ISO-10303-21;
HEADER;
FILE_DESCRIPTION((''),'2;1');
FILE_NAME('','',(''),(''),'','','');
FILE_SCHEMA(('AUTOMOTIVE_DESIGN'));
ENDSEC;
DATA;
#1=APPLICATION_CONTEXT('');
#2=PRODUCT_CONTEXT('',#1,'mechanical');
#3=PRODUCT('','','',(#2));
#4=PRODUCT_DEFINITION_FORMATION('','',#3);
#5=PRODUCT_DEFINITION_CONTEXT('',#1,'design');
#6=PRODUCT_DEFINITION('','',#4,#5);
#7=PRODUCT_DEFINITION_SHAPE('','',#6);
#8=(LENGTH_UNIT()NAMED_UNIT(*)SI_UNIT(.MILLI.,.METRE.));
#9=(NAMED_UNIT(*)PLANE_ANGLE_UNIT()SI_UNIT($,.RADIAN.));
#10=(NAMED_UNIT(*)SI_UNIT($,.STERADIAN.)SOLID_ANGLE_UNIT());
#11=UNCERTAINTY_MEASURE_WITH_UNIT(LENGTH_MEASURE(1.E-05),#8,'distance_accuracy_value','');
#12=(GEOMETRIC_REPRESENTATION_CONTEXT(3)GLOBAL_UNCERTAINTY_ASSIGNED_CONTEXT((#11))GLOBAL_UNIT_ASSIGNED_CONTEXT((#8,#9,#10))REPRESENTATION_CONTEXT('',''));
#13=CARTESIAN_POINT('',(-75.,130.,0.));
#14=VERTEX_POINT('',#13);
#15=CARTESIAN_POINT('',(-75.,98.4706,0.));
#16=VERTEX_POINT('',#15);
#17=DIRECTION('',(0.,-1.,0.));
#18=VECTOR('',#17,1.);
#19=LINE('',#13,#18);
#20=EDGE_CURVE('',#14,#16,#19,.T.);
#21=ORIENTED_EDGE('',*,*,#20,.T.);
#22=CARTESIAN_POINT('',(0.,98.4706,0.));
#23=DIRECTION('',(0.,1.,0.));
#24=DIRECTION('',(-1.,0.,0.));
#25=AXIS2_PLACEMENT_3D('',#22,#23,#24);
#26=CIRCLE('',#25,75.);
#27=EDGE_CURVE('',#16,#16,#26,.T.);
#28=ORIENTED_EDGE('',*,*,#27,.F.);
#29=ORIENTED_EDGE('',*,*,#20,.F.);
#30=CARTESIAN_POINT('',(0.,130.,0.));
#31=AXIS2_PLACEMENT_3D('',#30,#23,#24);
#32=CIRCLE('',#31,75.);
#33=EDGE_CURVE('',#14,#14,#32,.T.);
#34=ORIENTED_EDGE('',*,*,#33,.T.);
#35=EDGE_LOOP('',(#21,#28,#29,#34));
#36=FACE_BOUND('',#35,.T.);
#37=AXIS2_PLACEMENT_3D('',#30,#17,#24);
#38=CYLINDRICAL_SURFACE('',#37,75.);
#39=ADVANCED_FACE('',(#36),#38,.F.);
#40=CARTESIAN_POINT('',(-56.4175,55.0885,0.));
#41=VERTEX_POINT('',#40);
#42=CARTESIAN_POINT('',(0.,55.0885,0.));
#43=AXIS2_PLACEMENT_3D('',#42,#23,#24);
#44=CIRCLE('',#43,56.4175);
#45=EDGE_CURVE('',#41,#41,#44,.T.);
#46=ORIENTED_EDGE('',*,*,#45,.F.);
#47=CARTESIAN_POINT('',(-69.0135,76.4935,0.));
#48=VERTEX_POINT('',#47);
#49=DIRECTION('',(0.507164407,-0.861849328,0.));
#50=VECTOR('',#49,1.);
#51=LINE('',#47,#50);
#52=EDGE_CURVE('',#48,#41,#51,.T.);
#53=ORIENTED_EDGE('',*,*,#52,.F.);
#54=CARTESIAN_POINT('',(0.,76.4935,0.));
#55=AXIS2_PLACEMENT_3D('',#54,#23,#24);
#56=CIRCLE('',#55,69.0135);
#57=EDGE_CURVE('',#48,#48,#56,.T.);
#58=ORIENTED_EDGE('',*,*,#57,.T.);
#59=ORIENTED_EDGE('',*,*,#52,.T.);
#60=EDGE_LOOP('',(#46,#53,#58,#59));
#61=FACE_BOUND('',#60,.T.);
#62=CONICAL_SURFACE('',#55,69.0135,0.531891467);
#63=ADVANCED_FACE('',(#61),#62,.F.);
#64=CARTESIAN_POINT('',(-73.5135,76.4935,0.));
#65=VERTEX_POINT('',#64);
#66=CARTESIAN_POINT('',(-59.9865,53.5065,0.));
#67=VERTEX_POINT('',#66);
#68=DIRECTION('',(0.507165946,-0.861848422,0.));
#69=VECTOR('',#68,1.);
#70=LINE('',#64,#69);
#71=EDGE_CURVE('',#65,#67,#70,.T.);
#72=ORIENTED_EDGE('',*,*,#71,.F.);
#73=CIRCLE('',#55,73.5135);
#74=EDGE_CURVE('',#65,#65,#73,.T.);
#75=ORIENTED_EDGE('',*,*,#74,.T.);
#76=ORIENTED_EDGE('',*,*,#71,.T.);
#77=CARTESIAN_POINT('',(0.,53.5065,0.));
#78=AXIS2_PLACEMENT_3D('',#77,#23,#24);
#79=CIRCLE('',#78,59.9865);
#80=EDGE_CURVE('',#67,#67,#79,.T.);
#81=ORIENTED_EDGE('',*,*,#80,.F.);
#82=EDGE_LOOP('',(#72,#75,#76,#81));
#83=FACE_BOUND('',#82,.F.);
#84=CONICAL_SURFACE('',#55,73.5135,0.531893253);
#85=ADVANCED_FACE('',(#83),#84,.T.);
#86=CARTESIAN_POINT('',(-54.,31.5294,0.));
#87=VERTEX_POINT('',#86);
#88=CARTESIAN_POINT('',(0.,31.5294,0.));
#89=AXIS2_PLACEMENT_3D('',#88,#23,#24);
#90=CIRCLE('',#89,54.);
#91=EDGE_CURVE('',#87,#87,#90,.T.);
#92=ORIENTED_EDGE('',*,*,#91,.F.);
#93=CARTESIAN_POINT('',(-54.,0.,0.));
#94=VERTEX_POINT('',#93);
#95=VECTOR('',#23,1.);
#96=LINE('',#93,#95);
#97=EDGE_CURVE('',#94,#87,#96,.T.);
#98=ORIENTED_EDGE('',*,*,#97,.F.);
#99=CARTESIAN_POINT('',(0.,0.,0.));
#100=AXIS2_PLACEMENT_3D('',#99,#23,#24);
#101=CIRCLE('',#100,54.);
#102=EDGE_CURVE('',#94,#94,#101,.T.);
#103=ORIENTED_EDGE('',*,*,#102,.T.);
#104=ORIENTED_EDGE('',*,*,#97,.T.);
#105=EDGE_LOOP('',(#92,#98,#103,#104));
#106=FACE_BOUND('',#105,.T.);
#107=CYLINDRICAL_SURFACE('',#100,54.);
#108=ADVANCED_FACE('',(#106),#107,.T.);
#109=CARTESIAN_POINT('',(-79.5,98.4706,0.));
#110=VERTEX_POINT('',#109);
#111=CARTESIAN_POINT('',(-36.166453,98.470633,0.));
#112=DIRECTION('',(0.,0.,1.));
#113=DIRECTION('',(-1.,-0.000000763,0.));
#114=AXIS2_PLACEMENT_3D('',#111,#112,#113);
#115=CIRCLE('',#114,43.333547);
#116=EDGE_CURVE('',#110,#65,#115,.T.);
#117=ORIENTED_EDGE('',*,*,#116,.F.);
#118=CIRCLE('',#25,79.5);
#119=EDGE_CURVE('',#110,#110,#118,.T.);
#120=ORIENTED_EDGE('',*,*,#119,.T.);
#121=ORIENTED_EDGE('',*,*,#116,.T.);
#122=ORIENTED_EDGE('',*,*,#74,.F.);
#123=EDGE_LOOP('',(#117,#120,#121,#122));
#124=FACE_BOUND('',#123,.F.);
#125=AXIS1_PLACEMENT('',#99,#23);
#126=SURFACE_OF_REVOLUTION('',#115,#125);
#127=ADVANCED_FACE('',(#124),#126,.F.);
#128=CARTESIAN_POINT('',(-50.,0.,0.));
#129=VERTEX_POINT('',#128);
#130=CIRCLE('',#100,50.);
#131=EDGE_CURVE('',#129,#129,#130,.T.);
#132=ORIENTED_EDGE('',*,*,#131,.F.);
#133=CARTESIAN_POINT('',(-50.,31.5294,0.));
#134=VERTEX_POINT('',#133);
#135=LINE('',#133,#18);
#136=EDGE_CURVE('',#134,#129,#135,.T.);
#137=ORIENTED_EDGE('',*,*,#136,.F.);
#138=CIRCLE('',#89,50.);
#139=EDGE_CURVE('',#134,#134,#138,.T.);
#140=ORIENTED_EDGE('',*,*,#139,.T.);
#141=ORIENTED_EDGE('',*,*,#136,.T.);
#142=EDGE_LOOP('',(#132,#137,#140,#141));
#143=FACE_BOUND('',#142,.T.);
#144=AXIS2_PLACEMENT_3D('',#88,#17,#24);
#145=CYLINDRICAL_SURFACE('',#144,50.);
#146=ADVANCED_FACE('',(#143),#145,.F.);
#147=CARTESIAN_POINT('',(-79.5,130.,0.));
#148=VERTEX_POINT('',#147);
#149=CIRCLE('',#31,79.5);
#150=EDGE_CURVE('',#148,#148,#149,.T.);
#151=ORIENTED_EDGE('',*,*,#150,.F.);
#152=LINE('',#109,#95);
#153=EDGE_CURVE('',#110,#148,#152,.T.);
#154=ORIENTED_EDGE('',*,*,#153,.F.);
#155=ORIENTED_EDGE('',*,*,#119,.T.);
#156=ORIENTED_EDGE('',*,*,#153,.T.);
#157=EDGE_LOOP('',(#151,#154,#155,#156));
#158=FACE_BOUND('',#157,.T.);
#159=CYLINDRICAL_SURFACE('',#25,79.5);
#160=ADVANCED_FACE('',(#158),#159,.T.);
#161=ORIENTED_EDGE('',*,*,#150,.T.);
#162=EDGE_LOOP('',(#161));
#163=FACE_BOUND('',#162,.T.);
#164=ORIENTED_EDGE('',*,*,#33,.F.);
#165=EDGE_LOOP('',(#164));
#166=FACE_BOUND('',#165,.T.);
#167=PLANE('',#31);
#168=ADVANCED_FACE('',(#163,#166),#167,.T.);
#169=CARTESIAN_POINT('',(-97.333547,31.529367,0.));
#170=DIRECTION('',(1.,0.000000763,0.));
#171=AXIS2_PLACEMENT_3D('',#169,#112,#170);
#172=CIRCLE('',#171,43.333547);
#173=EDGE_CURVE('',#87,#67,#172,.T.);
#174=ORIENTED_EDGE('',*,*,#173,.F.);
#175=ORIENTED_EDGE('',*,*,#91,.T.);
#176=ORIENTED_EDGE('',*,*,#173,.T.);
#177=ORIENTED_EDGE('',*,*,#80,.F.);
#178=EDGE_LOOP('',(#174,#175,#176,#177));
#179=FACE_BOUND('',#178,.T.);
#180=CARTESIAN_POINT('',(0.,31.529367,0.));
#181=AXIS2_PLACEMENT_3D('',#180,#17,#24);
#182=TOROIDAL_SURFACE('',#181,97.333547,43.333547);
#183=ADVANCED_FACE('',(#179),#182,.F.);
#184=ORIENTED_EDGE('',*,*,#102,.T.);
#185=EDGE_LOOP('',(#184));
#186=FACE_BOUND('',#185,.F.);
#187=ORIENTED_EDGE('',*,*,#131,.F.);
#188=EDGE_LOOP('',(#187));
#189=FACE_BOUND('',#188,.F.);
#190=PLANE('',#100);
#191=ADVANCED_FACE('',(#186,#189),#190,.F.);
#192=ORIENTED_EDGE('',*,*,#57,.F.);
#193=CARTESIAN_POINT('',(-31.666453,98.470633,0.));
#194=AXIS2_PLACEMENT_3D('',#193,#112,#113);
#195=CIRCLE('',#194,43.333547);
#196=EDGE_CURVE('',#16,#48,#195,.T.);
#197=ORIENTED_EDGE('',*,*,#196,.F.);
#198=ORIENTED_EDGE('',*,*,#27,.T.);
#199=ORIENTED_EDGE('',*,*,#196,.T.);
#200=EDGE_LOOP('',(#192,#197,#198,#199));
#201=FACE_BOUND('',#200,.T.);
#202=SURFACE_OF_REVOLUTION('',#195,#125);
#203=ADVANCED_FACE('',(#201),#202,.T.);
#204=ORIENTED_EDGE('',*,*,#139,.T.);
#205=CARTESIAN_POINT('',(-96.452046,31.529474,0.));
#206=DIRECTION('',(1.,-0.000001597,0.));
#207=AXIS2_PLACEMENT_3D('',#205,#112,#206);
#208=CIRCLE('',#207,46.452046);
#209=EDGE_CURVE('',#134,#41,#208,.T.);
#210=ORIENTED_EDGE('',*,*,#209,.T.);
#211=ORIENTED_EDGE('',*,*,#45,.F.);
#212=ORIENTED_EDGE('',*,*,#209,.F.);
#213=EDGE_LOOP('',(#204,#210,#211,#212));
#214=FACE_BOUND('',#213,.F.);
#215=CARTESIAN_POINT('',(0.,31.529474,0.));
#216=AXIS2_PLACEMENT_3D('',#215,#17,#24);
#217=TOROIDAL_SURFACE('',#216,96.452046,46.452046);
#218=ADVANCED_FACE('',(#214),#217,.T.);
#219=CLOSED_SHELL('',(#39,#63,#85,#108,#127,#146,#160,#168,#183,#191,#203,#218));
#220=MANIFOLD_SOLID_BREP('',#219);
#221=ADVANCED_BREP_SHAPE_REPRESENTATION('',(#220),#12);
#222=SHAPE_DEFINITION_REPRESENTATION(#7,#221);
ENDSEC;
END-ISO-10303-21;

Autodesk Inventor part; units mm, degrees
ref_plane "YZ Plane" through (0, 0, 0) normal (1, 0, 0) x (0, 1, 0)
ref_plane "XZ Plane" through (0, 0, 0) normal (0, 1, 0) x (-1, 0, 0)
ref_plane "XY Plane" through (0, 0, 0) normal (0, 0, 1) x (1, 0, 0)
sketch "Sketch1" plane through (0, 0, 0) normal (0, 0, 1) x (1, 0, 0)
  line L0 (0, 0) -> (0, 130)
  line L1 (-54, 0) -> (-54, 31.5294)
  line L2 (-79.5, 98.4706) -> (-79.5, 130)
  line L3 (-79.5, 130) -> (-75, 130)
  line L4 (-75, 130) -> (-75, 98.4706)
  line L5 (-50, 31.5294) -> (-50, 0)
  line L6 (-73.5135, 76.4935) -> (-59.9865, 53.5065)
  line L7 (-69.0135, 76.4935) -> (-56.4175, 55.0885)
  arc A0 (-75, 98.4706) -> (-69.0135, 76.4935) centre (-31.6667, 98.4706) ccw
  arc A1 (-79.5, 98.4706) -> (-73.5135, 76.4935) centre (-36.1667, 98.4706) ccw
  arc A2 (-54, 31.5294) -> (-59.9865, 53.5065) centre (-97.3333, 31.5294) ccw
  arc A3 (-50, 31.5294) -> (-56.4175, 55.0885) centre (-96.4526, 31.5294) ccw
  line L8 (-54, 0) -> (-50, 0)
  point P0 (-54, 43.3333)
  point P1 (-79.5, 86.6667)
  point P2 (-77.25, 130)
  point P3 (-52, 0)
  dimension "d0" = 4
  dimension "d1" = 108
  dimension "d2" = 4.5
  dimension "d3" = 159
  dimension "d5" = 43.3333
  dimension "d6" = 43.3333
  dimension "d8" = 43.3333
  dimension "d13" = 130
  dimension "d15" = 43.3333
revolve "Revolution1" add sketch "Sketch1" angle 360 about axis through (0, 0, 0) along (0, 1, 0)
equation "\"d0\" = s1"
equation "\"d1\" = dh_"
equation "\"d2\" = s_"
equation "\"d3\" = Dh"
equation "\"d5\" = 0.333333 * L"
equation "\"d6\" = 0.333333 * L"
equation "\"d8\" = 0.333333 * L"
equation "\"d13\" = L"
equation "\"d15\" = 0.333333 * L"
equation "\"L\" = 130"
equation "\"s_\" = 4.5"
equation "\"Dh\" = 159"
equation "\"dh_\" = 108"
equation "\"s1\" = 4"
properties part number "Reducer К 159x4.5-108x4 GOST 17378-83" material "Steel, Mild"
